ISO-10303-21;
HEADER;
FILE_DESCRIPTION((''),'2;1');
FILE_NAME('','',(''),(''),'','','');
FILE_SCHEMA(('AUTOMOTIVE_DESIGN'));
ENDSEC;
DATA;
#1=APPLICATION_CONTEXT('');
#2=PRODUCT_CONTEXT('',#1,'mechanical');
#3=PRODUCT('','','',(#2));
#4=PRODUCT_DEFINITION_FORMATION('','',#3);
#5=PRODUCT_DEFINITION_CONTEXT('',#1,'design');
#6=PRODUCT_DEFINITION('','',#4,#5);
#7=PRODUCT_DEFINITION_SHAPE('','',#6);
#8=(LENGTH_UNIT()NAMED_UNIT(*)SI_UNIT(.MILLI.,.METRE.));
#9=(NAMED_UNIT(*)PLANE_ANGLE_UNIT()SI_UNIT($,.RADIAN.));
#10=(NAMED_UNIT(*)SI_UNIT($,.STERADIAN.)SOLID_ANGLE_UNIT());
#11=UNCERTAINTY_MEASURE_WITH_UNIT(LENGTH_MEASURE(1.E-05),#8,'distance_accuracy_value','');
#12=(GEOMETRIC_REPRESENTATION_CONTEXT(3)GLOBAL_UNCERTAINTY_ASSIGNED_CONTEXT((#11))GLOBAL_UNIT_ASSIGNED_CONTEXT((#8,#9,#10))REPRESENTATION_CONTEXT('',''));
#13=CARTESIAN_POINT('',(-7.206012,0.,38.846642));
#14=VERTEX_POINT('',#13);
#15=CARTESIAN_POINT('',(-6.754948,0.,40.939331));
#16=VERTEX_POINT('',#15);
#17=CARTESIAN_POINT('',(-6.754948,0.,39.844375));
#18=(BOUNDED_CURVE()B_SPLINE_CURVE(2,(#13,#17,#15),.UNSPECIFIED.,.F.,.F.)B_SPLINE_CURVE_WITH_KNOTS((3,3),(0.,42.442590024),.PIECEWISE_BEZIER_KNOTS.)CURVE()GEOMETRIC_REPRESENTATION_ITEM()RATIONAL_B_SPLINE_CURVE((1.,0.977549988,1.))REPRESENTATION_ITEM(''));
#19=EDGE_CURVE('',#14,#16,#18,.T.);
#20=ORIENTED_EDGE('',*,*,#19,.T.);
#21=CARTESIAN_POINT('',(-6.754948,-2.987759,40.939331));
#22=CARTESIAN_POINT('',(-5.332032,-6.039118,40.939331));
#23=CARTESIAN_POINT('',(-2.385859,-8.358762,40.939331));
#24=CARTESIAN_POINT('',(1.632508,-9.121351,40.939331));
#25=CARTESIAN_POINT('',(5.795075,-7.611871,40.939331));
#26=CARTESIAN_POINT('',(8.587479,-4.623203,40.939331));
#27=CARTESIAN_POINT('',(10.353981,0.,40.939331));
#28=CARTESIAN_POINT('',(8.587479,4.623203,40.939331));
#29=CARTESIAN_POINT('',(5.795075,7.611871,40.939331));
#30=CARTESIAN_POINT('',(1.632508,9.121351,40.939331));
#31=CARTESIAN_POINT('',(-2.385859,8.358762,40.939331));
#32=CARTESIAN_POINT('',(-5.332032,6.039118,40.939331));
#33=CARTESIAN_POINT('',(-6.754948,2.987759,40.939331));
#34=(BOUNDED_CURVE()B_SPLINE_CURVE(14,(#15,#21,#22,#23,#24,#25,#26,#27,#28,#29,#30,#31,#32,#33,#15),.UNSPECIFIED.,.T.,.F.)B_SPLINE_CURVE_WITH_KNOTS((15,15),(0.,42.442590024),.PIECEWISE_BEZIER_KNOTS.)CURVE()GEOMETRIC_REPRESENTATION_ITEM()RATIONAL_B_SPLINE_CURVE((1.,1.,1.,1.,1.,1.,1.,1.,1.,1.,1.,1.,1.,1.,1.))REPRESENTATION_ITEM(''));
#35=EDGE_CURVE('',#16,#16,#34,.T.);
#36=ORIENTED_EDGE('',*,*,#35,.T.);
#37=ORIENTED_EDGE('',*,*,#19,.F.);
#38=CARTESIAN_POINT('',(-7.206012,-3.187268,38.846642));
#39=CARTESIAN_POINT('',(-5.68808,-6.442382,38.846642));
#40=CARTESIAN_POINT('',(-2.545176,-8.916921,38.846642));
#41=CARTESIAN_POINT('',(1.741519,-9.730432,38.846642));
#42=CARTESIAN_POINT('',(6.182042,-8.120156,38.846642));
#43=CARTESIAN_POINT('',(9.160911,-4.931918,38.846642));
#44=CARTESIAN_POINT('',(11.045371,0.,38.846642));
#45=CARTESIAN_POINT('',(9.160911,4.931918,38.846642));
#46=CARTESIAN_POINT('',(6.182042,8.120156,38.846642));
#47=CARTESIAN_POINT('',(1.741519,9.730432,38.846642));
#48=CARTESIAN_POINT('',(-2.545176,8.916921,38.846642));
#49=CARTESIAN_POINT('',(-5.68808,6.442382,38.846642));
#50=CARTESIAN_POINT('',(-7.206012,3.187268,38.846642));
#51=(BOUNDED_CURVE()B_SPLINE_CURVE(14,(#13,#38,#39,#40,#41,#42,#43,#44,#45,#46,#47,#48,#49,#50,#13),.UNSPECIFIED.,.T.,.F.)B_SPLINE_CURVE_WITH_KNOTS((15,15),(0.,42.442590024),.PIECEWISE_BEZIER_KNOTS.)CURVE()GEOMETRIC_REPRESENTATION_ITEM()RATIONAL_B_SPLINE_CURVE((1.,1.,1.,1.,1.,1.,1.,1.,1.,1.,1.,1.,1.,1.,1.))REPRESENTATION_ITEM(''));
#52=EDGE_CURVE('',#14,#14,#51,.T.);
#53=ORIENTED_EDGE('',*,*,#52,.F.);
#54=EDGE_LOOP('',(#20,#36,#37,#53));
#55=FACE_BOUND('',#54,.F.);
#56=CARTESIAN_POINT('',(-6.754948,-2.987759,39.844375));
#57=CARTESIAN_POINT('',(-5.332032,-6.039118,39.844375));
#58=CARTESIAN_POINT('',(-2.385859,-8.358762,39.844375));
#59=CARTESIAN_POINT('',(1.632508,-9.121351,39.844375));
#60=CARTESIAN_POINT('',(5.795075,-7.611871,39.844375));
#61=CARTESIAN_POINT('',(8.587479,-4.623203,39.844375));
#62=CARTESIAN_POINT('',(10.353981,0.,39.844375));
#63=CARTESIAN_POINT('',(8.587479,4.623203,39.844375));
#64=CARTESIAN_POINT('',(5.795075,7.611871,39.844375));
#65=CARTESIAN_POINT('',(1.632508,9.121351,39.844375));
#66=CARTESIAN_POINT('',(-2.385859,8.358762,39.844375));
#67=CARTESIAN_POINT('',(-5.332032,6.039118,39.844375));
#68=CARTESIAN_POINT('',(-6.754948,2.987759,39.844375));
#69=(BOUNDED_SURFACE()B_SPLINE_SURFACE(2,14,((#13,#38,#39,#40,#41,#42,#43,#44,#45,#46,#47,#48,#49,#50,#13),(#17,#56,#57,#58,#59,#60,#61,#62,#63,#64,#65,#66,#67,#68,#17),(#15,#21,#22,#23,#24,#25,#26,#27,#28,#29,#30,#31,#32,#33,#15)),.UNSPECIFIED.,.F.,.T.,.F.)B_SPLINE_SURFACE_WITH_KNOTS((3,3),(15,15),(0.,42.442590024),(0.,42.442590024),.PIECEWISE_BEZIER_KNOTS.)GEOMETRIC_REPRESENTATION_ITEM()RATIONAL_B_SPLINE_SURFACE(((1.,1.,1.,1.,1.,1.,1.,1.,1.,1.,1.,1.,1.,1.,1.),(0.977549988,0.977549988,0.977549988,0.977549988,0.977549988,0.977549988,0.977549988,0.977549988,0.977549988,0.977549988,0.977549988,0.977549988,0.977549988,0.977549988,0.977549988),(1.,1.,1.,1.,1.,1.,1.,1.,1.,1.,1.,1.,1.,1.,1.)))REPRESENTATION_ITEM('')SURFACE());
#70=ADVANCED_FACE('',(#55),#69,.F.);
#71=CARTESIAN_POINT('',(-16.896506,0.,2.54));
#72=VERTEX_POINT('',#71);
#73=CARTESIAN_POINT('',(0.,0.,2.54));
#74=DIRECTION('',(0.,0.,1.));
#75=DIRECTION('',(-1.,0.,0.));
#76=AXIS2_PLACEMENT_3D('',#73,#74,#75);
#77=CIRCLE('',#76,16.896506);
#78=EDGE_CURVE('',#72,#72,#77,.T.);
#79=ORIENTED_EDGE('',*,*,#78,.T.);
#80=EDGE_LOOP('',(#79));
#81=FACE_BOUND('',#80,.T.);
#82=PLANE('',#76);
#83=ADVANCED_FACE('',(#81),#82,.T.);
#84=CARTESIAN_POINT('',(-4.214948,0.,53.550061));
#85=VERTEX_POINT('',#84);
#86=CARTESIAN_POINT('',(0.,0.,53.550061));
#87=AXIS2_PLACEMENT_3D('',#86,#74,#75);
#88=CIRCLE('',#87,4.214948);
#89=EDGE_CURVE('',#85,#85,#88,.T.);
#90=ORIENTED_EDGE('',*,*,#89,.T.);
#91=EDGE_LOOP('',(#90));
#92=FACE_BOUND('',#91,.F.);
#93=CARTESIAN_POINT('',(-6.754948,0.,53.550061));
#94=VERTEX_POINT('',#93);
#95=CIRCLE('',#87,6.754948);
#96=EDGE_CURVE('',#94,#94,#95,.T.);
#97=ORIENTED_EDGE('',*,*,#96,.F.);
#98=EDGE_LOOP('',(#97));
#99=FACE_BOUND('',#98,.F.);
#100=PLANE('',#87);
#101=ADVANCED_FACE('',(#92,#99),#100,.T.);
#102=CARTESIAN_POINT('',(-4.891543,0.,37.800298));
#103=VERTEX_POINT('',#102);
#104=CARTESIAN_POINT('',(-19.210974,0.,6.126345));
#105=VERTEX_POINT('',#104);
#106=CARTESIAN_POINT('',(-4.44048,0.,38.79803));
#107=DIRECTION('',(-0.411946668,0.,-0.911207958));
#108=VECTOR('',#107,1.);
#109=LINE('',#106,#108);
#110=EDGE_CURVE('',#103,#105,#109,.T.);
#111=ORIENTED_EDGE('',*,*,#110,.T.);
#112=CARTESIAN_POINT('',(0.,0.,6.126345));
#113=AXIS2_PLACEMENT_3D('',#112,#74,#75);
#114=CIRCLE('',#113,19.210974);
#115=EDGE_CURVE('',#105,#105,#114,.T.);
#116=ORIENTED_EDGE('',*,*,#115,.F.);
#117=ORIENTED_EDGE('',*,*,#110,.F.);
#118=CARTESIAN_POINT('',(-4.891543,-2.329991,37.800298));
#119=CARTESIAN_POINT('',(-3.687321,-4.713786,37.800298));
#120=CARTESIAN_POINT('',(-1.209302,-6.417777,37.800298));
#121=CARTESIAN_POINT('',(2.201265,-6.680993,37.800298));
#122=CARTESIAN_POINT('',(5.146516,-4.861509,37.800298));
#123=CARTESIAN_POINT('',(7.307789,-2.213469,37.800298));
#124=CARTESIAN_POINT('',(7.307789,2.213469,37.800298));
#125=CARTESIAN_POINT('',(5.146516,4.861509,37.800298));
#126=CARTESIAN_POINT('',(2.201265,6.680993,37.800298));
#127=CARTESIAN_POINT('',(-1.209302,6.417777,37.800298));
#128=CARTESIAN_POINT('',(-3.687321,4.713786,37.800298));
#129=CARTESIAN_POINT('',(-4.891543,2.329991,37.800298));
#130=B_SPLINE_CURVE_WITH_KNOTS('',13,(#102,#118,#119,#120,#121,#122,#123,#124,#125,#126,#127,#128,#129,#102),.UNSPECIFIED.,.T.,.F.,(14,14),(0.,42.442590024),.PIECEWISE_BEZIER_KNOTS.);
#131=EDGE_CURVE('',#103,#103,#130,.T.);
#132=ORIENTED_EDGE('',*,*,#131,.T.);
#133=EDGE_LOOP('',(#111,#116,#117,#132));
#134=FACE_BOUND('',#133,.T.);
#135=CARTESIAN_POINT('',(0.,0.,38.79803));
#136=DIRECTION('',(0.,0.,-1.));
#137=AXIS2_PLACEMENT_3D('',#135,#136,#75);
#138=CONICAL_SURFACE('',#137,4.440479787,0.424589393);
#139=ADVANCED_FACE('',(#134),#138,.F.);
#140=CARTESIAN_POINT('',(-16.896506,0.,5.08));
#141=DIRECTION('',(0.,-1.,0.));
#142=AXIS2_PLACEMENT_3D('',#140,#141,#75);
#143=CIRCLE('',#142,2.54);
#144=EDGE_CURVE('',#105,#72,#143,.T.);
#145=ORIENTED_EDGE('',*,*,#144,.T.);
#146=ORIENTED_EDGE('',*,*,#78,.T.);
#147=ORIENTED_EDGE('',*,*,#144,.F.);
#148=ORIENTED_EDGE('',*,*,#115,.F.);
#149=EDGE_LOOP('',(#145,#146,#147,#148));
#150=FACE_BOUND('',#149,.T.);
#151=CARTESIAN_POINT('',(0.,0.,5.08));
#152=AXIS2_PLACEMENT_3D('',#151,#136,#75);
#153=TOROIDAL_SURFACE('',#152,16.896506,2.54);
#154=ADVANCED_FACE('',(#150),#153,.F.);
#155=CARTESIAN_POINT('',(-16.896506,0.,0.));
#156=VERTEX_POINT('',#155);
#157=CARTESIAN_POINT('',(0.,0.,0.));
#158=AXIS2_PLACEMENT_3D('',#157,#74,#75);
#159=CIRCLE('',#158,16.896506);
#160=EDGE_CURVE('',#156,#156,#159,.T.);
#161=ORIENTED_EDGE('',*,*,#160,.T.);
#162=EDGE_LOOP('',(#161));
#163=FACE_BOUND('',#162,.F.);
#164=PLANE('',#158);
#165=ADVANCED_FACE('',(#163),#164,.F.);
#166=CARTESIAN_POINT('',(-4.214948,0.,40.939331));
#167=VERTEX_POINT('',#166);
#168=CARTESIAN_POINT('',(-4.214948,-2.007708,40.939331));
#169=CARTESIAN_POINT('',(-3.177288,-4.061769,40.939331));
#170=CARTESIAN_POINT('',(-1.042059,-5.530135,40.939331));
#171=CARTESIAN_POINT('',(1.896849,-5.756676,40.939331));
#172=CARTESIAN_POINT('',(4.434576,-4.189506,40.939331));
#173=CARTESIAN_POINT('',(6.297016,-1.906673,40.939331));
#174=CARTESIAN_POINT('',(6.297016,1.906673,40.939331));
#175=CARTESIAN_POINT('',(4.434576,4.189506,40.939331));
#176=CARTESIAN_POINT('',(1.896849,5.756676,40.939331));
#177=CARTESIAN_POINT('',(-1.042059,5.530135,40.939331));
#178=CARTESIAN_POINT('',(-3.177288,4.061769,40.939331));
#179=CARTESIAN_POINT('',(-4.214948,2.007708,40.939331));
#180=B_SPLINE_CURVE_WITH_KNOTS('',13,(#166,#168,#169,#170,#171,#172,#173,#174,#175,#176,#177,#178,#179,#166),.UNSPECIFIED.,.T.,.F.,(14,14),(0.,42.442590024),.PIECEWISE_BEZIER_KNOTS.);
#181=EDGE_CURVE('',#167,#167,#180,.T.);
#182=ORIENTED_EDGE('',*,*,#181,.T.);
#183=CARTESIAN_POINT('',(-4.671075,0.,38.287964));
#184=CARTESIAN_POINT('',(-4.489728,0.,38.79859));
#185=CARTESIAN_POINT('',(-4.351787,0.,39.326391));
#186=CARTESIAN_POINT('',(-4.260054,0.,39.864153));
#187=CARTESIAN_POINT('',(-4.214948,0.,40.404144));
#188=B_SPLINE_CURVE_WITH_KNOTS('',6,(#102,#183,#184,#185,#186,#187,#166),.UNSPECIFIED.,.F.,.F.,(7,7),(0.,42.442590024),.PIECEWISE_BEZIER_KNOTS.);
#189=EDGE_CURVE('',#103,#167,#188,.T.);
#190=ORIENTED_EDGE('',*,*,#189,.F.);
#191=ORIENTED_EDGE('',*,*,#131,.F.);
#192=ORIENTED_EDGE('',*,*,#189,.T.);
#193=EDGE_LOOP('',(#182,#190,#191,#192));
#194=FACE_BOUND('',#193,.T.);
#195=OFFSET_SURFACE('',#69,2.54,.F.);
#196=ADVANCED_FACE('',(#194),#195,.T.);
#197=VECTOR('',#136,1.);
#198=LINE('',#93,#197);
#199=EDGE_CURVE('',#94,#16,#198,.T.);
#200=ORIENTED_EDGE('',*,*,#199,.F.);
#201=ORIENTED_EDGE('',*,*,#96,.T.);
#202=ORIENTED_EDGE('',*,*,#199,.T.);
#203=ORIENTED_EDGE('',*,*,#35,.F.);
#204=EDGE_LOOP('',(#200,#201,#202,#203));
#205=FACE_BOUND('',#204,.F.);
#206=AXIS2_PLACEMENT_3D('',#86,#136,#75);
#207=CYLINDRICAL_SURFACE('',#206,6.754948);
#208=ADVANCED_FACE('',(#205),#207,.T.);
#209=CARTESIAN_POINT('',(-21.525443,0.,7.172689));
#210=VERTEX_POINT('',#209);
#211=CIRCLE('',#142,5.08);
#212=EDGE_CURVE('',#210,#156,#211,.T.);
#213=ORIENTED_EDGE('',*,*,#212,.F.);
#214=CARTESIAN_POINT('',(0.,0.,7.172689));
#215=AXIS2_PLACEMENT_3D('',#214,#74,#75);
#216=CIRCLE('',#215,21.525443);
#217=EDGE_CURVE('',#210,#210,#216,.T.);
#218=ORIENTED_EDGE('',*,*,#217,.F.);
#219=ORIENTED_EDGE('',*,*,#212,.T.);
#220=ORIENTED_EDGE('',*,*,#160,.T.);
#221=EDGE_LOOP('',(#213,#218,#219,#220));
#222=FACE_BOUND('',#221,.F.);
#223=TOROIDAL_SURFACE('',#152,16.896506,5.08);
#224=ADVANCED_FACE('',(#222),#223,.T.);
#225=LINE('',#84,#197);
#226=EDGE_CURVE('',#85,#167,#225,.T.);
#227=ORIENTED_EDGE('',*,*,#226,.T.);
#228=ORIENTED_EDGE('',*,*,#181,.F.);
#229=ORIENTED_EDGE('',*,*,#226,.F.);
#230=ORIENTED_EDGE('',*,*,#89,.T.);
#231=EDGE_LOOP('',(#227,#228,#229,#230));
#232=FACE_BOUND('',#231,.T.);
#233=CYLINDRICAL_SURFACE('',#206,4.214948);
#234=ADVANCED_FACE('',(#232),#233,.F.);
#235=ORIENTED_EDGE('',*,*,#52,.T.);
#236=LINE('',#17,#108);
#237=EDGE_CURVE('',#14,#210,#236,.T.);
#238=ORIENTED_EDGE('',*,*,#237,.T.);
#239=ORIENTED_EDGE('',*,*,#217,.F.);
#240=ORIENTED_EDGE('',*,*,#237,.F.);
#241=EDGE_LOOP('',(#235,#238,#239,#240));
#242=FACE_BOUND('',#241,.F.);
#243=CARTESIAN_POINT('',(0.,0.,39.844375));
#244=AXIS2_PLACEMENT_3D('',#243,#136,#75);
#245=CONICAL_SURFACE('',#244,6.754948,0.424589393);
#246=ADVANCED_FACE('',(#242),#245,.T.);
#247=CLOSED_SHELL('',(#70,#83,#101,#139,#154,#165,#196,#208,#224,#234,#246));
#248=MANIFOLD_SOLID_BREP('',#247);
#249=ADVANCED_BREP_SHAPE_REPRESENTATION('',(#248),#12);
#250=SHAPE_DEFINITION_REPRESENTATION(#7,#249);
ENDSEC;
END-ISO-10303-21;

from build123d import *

# Parameters (mm, degrees)
F2_R = 5.08
F3_T = -2.54


with BuildPart() as f1:
    # F0 (on Front) → F1 (revolve)
    with BuildSketch(Plane.XZ):
        Polygon((-6.754948, 39.844375), (-24.768133, 0), (0, 0), (0, 53.550061), (-6.754948, 53.550061), align=None)
    revolve(axis=Axis((0, 0, 26.77503), (0, 0, 1)))

    # F2
    f2_edges = [f1.edges().sort_by_distance(p)[0] for p in [
        (6.754948, 0, 39.844375),
        (24.768133, 0, 0),
        (-15.76154, 0, 19.922188),
    ]]
    fillet(f2_edges, radius=F2_R)

    # F3
    f3_openings = [f1.faces().sort_by_distance(p)[0] for p in [
        (0, 0, 53.550061),
    ]]
    offset(amount=F3_T, openings=f3_openings)


solid = f1.part
